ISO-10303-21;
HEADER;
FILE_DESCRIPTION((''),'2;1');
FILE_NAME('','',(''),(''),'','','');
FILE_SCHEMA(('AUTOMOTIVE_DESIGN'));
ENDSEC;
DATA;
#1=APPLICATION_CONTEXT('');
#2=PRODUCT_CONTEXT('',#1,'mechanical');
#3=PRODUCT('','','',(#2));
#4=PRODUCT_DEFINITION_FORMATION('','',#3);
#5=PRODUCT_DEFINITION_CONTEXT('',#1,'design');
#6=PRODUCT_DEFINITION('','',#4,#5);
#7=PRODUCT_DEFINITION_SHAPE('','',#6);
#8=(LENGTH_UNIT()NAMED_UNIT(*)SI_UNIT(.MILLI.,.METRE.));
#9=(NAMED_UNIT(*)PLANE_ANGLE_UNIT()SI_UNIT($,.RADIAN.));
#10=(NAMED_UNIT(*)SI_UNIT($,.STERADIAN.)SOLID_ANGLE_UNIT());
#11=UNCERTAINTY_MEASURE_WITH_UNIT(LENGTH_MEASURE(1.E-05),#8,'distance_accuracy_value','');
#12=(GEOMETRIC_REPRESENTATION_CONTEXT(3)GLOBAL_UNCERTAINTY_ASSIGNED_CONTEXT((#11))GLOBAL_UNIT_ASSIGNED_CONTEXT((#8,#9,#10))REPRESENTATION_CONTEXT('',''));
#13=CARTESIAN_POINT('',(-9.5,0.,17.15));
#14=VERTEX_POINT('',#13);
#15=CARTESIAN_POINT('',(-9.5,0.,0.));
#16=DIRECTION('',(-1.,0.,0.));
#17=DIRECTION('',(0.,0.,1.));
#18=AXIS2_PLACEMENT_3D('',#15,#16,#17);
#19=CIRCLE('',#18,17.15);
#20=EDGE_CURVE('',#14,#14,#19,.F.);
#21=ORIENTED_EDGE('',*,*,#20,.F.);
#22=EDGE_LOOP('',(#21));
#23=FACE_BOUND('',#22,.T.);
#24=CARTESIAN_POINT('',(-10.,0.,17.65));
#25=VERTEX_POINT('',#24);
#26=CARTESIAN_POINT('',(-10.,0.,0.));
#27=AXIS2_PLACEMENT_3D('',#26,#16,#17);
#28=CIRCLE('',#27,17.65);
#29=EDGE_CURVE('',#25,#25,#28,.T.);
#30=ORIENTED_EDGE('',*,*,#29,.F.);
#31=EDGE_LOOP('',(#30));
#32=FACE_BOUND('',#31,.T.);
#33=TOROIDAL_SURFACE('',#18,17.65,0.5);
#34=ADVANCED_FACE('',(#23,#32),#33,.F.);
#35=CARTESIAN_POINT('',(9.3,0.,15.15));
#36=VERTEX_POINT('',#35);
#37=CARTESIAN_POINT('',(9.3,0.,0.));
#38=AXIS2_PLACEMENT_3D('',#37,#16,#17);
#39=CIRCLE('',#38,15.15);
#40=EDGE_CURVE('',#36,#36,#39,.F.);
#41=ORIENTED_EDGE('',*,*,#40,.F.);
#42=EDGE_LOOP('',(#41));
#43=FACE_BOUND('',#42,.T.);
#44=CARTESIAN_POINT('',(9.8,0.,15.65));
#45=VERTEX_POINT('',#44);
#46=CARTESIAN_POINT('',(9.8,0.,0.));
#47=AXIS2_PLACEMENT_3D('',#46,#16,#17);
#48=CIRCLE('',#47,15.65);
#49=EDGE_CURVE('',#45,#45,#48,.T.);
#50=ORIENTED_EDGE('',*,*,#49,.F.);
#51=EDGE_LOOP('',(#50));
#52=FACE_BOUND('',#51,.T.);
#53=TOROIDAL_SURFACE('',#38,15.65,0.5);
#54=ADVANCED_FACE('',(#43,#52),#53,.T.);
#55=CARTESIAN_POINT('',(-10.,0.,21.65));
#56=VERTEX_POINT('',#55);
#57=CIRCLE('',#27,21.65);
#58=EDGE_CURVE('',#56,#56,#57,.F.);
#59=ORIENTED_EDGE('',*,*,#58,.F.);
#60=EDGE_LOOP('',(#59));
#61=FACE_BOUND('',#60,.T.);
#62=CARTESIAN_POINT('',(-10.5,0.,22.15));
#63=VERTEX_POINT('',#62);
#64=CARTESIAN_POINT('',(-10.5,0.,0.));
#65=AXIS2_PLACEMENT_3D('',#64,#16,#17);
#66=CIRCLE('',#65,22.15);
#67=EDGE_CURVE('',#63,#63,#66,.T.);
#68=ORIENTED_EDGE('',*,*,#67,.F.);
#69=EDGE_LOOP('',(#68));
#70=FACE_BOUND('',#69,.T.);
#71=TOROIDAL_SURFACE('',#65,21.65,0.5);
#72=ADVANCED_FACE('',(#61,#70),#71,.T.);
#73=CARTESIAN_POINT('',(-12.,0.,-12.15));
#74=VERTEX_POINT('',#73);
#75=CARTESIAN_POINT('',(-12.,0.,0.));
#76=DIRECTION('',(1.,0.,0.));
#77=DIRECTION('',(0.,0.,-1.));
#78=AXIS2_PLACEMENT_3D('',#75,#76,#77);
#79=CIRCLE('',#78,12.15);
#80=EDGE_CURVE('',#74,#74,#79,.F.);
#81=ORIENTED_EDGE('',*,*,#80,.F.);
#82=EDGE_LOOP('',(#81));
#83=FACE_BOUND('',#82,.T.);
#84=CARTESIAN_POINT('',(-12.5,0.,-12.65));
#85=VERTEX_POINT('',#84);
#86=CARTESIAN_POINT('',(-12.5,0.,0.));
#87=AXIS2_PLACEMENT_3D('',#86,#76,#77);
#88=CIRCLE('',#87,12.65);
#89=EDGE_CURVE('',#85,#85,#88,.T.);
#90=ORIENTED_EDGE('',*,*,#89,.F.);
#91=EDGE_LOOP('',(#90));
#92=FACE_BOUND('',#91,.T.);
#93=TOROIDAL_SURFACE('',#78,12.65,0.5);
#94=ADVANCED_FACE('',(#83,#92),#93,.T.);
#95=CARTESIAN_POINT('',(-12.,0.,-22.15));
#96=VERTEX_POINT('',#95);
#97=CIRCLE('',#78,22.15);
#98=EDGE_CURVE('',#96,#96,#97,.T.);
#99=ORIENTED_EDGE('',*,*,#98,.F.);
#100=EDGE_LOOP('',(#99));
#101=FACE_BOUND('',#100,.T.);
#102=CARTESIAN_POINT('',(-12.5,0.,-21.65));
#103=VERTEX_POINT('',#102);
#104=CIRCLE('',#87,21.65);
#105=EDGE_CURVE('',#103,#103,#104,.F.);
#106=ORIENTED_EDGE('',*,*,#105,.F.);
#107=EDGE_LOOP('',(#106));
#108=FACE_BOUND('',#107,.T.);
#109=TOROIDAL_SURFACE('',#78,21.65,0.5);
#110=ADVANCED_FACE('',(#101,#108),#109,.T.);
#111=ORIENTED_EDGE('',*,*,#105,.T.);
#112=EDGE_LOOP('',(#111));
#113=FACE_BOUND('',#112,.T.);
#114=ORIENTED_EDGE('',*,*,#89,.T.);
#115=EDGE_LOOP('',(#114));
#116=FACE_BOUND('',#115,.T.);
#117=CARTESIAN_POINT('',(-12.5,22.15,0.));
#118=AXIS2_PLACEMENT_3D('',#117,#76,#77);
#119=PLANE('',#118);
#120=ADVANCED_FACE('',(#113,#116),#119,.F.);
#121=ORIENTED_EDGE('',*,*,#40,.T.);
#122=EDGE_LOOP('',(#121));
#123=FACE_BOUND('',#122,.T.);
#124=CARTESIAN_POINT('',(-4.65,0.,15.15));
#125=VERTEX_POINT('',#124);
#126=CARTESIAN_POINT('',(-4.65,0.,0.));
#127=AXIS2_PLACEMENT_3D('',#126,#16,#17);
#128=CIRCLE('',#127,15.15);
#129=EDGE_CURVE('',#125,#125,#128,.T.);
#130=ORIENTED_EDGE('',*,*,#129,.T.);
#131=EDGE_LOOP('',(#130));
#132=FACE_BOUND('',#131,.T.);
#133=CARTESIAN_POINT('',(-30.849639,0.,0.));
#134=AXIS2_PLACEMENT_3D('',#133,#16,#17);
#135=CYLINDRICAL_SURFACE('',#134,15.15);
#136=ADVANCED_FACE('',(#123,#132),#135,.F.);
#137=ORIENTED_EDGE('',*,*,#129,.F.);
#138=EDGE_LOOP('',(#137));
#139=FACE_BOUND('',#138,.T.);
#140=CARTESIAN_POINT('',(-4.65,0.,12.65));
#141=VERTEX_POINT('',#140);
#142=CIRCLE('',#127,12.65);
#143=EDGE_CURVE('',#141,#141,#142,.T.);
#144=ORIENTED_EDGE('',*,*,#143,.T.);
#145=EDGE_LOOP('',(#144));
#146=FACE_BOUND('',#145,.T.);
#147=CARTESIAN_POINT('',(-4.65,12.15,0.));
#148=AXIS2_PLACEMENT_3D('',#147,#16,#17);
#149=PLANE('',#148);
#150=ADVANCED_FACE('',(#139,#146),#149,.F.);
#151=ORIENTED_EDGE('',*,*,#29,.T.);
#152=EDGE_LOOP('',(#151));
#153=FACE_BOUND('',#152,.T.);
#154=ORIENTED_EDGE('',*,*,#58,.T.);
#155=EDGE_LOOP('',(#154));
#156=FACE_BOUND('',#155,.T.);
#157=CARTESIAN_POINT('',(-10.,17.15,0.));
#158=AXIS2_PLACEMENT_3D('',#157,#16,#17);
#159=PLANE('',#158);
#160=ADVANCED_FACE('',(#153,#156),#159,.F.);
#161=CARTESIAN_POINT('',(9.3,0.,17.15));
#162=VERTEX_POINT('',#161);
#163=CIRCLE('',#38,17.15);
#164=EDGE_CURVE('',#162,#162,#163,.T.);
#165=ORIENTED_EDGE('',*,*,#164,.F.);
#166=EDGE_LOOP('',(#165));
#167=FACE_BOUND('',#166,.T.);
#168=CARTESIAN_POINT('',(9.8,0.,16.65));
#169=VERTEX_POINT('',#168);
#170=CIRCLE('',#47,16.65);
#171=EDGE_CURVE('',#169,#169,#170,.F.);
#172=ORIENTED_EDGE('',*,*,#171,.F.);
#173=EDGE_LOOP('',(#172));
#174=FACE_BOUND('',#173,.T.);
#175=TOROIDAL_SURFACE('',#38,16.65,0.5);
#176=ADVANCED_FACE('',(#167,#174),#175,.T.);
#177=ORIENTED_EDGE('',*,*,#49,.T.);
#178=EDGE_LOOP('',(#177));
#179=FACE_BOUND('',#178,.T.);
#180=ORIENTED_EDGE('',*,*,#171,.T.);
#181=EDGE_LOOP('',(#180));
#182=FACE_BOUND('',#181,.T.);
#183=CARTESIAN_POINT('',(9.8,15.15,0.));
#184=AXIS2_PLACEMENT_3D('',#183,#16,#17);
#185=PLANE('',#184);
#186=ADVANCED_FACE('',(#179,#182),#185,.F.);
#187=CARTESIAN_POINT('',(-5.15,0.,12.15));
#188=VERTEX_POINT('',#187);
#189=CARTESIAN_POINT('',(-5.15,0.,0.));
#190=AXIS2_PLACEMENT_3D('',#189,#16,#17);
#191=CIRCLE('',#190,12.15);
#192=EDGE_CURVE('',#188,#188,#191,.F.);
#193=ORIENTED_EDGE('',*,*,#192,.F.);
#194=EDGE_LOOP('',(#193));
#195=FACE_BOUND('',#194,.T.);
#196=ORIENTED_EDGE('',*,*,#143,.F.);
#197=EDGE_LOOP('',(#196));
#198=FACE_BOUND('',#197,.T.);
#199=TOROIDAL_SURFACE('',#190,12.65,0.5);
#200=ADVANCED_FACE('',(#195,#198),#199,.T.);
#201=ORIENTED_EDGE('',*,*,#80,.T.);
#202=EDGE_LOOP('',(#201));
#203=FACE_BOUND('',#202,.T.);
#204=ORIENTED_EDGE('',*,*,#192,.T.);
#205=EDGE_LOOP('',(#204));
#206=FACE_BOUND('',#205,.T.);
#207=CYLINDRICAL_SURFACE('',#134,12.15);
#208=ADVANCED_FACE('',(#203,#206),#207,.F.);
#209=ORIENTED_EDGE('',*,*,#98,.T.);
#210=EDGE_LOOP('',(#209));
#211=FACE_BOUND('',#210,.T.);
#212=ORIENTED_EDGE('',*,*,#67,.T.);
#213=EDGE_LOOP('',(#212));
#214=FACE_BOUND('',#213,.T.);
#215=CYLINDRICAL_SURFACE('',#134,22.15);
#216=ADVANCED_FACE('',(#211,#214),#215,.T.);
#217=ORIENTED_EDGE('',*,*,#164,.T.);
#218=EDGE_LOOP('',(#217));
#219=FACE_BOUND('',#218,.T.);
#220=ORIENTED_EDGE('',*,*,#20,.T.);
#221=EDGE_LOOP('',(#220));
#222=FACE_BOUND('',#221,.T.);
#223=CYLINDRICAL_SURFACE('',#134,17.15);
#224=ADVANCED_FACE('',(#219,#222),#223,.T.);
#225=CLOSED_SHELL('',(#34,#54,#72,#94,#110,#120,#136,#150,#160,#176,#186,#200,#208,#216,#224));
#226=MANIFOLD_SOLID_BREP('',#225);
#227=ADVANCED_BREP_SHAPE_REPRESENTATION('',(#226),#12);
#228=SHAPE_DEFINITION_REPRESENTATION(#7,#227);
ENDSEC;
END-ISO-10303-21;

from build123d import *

# Parameters (mm, degrees)
FILLET1_R = 0.5


with BuildPart() as part:
    # Sketch1 → Revolve1 (revolve)
    with BuildSketch(Plane.XY, mode=Mode.PRIVATE) as revolve1_sk:
        Polygon((-12.5, 22.15), (-12.5, 12.15), (-4.65, 12.15), (-4.65, 15.15), (9.8, 15.15), (9.8, 17.15), (-10, 17.15), (-10, 22.15), align=None)
    revolve(revolve1_sk.sketch.rotate(Axis((-30.849638619, 0, 0), (1, 0, 0)), 90), axis=Axis((-30.849638619, 0, 0), (1, 0, 0)))

    # Fillet1
    fillet1_edges = [part.edges().sort_by_distance(p)[0] for p in [
        (-12.5, 0, -22.15),
        (-10, 0, -22.15),
        (-10, 0, -17.15),
        (9.8, 0, -17.15),
        (9.8, 0, -15.15),
        (-4.65, 0, -12.15),
        (-12.5, 0, -12.15),
    ]]
    fillet(fillet1_edges, radius=FILLET1_R)


solid = part.part
